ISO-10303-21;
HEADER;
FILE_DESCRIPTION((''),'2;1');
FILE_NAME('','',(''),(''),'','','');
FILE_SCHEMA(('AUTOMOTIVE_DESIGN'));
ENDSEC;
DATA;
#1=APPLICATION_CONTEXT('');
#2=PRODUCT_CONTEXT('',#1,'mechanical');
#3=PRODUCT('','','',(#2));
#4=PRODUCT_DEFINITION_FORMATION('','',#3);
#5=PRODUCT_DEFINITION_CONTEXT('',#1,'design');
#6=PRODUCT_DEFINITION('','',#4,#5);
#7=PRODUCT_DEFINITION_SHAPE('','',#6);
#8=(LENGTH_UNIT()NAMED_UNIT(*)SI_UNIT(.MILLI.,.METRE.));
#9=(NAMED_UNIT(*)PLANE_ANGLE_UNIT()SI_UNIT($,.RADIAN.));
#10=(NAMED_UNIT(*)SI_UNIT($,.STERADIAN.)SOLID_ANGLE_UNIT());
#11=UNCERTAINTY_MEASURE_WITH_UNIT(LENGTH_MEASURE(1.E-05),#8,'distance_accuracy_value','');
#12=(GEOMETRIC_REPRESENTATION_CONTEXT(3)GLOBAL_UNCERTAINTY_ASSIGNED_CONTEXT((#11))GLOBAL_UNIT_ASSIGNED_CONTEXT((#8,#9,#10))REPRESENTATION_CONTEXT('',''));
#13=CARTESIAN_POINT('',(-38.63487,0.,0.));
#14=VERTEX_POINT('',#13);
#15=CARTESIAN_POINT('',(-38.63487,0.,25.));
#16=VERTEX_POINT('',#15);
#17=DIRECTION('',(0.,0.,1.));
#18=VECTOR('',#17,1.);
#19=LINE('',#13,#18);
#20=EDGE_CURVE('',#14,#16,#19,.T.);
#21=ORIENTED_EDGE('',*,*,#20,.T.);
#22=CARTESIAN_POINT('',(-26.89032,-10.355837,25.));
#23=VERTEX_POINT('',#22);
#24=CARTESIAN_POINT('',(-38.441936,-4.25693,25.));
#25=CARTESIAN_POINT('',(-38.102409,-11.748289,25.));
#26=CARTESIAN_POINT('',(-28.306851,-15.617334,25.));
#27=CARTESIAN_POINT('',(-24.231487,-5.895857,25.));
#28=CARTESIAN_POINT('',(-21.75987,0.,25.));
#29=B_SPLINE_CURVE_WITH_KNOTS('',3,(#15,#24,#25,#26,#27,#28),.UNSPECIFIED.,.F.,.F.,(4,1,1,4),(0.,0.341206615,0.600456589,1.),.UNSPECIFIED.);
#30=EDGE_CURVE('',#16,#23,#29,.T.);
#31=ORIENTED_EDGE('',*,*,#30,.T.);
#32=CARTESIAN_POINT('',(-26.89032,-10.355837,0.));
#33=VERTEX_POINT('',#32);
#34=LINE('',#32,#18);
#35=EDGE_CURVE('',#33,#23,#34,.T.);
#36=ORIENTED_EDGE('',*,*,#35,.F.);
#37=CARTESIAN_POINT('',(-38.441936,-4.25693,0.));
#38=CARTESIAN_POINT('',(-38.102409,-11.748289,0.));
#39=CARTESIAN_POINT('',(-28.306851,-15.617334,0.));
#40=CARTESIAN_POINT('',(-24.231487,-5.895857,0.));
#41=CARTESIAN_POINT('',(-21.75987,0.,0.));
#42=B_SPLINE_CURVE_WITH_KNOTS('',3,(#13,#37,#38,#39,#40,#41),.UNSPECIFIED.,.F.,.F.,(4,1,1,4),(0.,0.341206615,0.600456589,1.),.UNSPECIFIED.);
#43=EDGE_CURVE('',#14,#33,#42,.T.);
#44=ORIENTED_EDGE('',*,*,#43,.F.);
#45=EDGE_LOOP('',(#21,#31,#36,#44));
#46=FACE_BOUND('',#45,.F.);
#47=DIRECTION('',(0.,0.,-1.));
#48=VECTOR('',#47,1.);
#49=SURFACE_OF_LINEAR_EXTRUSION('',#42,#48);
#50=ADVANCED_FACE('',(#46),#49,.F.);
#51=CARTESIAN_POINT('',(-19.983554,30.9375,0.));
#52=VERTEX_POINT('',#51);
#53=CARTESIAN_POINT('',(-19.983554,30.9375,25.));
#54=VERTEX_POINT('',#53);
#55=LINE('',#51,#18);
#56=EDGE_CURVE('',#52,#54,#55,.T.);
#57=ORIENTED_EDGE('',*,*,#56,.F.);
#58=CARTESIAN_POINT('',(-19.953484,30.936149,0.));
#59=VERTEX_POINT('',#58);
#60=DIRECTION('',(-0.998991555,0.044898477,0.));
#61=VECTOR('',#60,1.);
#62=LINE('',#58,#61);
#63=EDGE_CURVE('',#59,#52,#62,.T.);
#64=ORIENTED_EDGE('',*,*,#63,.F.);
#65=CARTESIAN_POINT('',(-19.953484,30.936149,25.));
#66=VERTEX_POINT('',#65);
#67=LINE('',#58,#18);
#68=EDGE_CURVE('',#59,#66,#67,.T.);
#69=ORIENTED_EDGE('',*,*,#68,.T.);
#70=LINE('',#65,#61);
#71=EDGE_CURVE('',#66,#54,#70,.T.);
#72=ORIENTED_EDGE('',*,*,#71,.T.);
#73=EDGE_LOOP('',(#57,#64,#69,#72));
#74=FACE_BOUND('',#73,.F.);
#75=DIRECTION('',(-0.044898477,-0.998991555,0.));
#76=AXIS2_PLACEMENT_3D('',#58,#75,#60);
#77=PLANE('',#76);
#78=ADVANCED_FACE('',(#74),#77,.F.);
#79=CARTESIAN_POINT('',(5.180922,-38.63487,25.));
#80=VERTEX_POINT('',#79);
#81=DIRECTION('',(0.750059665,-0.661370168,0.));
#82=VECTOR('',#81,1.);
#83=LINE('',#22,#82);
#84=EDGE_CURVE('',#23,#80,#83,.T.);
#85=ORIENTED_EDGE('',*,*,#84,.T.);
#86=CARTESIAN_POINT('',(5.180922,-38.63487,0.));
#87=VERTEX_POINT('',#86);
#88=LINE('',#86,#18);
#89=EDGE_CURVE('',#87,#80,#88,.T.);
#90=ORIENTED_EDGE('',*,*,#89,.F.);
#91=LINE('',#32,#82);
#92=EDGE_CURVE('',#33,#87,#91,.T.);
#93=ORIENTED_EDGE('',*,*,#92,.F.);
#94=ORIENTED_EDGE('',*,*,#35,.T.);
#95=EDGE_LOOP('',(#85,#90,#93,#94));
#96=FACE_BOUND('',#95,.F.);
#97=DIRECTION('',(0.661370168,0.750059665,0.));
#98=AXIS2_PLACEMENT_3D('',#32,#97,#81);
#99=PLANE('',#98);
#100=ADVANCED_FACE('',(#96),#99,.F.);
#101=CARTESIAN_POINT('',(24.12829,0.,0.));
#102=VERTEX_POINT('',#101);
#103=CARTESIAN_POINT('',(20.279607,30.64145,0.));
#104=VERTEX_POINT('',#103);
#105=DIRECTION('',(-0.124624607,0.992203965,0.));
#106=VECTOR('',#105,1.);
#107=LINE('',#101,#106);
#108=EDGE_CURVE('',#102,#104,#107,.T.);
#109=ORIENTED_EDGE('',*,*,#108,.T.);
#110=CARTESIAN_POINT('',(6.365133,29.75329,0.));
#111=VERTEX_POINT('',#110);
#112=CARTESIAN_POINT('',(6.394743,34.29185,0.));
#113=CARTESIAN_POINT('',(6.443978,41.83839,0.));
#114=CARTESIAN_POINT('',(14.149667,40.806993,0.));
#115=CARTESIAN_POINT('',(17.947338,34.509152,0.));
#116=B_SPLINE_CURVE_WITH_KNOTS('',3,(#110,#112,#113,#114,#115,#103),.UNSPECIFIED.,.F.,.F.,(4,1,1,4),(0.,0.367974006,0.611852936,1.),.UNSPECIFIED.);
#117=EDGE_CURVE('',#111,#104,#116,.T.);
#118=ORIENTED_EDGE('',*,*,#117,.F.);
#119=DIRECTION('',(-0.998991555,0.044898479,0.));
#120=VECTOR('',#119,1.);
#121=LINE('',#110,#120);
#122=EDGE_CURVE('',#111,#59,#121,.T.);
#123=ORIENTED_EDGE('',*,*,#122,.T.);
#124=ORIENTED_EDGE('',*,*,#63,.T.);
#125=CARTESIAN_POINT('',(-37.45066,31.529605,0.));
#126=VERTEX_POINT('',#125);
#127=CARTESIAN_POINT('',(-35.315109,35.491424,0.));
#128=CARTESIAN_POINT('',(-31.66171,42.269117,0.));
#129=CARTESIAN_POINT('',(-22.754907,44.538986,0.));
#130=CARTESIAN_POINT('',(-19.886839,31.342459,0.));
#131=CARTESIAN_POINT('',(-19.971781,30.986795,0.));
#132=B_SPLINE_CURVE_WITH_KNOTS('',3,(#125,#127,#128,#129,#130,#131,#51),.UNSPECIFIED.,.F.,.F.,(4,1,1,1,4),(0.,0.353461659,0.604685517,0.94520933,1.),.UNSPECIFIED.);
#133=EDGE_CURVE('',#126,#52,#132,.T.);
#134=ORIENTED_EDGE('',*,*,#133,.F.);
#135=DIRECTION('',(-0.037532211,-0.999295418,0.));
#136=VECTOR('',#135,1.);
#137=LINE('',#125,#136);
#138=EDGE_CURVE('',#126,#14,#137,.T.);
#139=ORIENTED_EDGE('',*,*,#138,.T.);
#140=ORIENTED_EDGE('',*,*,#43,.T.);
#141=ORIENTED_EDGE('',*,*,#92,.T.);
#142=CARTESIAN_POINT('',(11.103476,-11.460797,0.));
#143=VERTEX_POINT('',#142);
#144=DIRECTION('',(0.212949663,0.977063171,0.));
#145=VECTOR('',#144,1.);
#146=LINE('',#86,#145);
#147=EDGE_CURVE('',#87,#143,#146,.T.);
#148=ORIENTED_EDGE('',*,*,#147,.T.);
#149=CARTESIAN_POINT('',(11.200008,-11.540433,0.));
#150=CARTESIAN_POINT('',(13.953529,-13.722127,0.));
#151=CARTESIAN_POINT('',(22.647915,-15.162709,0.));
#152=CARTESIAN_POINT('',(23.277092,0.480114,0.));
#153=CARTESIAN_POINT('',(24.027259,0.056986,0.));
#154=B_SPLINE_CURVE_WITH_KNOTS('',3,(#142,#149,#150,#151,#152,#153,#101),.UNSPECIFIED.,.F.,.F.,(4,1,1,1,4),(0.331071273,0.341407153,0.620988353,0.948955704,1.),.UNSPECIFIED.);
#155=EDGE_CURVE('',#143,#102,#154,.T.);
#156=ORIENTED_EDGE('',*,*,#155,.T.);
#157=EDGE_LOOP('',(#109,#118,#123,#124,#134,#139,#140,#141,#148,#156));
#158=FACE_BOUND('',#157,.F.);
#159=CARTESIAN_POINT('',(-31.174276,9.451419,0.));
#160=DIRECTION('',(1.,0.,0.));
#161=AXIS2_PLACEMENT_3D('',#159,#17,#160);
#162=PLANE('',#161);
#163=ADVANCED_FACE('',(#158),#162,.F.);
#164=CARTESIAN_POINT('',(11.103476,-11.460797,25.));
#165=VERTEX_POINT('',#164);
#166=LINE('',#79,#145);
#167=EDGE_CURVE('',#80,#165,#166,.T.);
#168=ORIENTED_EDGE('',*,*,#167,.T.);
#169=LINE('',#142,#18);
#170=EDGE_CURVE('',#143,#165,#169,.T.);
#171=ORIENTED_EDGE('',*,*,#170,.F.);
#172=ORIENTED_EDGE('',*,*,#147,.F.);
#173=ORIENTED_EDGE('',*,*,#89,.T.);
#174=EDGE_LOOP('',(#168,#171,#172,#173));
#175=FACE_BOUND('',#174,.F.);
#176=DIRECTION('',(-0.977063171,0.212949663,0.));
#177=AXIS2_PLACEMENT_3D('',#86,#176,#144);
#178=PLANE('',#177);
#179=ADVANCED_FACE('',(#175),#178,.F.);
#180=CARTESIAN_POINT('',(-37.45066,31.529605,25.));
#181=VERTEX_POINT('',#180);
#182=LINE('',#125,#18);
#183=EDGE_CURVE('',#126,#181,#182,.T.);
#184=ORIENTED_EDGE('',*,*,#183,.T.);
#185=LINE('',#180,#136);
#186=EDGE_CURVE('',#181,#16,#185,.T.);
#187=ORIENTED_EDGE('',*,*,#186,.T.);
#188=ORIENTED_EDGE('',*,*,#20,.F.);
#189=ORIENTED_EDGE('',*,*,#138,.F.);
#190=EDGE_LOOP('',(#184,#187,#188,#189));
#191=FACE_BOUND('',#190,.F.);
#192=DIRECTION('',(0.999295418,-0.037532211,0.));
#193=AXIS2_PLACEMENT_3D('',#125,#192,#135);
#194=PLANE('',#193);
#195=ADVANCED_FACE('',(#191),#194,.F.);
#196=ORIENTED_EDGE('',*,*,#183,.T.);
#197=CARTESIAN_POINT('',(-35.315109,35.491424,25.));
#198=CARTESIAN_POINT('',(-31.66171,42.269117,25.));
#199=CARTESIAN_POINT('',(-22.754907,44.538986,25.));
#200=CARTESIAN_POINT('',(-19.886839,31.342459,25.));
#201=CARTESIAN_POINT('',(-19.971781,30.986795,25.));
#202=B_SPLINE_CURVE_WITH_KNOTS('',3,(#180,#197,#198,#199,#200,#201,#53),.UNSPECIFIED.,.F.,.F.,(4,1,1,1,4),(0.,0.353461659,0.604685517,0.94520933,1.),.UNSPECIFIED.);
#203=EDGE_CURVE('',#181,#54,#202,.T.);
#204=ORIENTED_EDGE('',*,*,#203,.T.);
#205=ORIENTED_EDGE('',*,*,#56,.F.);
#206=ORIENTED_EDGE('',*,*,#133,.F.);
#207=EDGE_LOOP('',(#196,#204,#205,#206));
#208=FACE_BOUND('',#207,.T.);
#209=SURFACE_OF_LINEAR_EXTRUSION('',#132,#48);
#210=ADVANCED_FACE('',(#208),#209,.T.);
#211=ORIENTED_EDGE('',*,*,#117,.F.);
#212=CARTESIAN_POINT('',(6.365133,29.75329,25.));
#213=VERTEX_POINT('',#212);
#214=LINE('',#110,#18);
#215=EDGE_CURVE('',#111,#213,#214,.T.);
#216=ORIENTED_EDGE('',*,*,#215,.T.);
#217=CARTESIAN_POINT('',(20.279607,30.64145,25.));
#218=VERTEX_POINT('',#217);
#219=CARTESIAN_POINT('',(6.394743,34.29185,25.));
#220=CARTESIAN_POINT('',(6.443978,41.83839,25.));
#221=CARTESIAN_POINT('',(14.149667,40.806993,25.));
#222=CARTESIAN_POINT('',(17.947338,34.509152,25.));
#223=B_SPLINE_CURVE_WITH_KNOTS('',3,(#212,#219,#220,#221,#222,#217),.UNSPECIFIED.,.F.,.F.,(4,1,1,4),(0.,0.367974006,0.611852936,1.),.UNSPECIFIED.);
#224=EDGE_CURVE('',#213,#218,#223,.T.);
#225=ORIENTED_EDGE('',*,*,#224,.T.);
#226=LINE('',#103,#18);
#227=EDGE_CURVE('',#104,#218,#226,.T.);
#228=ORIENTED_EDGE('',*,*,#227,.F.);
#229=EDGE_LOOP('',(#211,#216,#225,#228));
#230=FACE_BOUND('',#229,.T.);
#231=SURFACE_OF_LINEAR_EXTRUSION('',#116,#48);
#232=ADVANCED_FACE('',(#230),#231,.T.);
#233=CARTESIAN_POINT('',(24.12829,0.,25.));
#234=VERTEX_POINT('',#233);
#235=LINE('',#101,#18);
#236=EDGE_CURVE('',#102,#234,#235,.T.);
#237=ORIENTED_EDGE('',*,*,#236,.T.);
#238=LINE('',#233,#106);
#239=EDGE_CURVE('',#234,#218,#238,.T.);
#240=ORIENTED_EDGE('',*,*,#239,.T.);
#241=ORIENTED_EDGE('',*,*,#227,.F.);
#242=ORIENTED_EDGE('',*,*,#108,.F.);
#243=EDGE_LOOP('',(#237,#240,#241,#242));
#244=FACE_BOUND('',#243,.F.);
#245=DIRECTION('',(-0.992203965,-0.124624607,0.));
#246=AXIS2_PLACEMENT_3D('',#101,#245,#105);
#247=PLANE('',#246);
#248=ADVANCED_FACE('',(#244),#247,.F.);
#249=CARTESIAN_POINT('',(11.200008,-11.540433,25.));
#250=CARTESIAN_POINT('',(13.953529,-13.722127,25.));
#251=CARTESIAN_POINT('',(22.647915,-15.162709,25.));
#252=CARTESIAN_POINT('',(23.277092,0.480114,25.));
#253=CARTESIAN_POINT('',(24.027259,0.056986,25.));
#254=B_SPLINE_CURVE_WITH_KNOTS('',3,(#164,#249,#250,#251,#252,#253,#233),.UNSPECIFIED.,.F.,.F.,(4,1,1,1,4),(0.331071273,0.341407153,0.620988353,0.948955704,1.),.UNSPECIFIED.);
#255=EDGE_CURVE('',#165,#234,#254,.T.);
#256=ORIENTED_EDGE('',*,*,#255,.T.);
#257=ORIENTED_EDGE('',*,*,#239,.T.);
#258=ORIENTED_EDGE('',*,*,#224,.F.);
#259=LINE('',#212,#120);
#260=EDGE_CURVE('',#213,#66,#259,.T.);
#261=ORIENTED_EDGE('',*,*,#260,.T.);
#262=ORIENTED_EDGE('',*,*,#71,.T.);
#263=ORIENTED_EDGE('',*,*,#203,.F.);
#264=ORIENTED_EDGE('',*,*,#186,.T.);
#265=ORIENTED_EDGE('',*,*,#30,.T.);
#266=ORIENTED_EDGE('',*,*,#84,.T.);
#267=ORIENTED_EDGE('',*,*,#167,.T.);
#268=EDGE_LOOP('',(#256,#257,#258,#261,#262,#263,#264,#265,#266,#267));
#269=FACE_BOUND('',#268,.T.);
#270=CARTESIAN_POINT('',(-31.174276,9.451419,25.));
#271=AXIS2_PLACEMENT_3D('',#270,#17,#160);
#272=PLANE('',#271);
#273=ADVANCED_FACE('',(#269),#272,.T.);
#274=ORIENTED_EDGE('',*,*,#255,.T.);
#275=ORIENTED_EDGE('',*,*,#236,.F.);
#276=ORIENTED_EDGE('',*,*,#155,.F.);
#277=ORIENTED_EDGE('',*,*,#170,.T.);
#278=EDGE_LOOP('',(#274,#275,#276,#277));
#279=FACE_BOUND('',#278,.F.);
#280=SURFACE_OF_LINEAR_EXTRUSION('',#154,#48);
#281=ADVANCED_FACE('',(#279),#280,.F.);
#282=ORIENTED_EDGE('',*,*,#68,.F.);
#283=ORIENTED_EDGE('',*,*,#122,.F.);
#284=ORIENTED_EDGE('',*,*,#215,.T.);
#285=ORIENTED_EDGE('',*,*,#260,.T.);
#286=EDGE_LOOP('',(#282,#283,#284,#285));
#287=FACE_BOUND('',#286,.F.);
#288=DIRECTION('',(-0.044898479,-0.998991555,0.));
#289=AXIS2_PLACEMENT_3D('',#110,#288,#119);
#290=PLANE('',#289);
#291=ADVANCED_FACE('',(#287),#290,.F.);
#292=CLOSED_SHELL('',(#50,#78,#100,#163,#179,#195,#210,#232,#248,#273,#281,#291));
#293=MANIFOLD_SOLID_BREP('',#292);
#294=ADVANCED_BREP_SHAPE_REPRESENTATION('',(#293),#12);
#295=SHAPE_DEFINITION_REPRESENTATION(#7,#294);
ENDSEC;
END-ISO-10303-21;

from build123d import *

# Parameters (mm, degrees)
F1_DEPTH = 25


with BuildPart() as f1:
    # F0 (on Top) → F1 (new body)
    with BuildSketch(Plane.XY):
        with BuildLine():
            Line((-18.293430627, 0), (-37.4506600201, 31.5296053886))
            Line((-37.4506600201, 31.5296053886), (-38.6348702013, 0))
            Line((-38.6348702013, 0), (-26.8903197752, -10.3558365563))
            add(Edge.make_bspline(
                [(-26.8903197752, -10.3558365563), (-25.0138511487, -7.7621292657), (-23.3868603398, -3.8810646329), (-21.7598695308, 0)],
                knots=[0.7369926577, 0.7369926577, 0.7369926577, 0.7369926577, 1, 1, 1, 1], degree=3))
            Line((-21.7598695308, 0), (-18.293430627, 0))
        make_face()
        with BuildLine():
            add(Edge.make_bspline(
                [(-37.4506600201, 31.5296053886), (-35.315109491, 35.4914243796), (-31.6617104803, 42.2691172437), (-22.7549071417, 44.5389864619), (-19.8868391117, 31.3424591503), (-19.9717812594, 30.9867953724), (-19.9835542589, 30.937500298)],
                knots=[0, 0, 0, 0, 0.3534616592, 0.6046855171, 0.9452093296, 1, 1, 1, 1], degree=3))
            Line((-37.4506600201, 31.5296053886), (-18.293430627, 0))
            Line((-18.293430627, 0), (-8.7769662755, 0))
            Line((-8.7769662755, 0), (-19.9534838268, 30.9361488185))
            Line((-19.9534838268, 30.9361488185), (-19.9835542589, 30.937500298))
        make_face()
        with BuildLine():
            Line((-26.8903197752, -10.3558365563), (-38.6348702013, 0))
            add(Edge.make_bspline(
                [(-38.6348702013, 0), (-38.4419358813, -4.256929632), (-38.1024093928, -11.748289226), (-30.8831549051, -14.5997468242), (-27.8644585489, -11.7023183486), (-26.8903197752, -10.3558365563)],
                knots=[0, 0, 0, 0, 0.3412066145, 0.6004565887, 0.7369926577, 0.7369926577, 0.7369926577, 0.7369926577], degree=3))
        make_face()
        Polygon((5.1809218712, -38.6348702013), (-18.293430627, 0), (-21.7598695308, 0), align=None)
        Polygon((-8.7769662755, 0), (-18.293430627, 0), (5.1809218712, -38.6348702013), align=None)
        with BuildLine():
            Line((6.3651325181, 29.7532901168), (-19.9534838268, 30.9361488185))
            Line((-19.9534838268, 30.9361488185), (-8.7769662755, 0))
            Line((-8.7769662755, 0), (5.1809218712, 0))
            add(Edge.make_bspline(
                [(5.1809218712, 0), (5.3907033267, -0.660354955), (5.6004847821, -1.32070991), (5.8157272261, -1.9748633921)],
                knots=[0, 0, 0, 0, 0.0490741852, 0.0490741852, 0.0490741852, 0.0490741852], degree=3))
            Line((5.8157272261, -1.9748633921), (6.3651325181, 29.7532901168))
        make_face()
        with BuildLine():
            add(Edge.make_bspline(
                [(-26.8903197752, -10.3558365563), (-25.0138511487, -7.7621292657), (-23.3868603398, -3.8810646329), (-21.7598695308, 0)],
                knots=[0.7369926577, 0.7369926577, 0.7369926577, 0.7369926577, 1, 1, 1, 1], degree=3))
            Line((-26.8903197752, -10.3558365563), (5.1809218712, -38.6348702013))
            Line((5.1809218712, -38.6348702013), (-21.7598695308, 0))
        make_face()
        Polygon((5.1809218712, 0), (-8.7769662755, 0), (5.1809218712, -38.6348702013), align=None)
        with BuildLine():
            Line((5.1809218712, 0), (5.1809218712, -38.6348702013))
            Line((5.1809218712, -38.6348702013), (5.8157272261, -1.9748633921))
            add(Edge.make_bspline(
                [(5.1809218712, 0), (5.3907033267, -0.660354955), (5.6004847821, -1.32070991), (5.8157272261, -1.9748633921)],
                knots=[0, 0, 0, 0, 0.0490741852, 0.0490741852, 0.0490741852, 0.0490741852], degree=3))
        make_face()
        with BuildLine():
            Line((5.8157272261, -1.9748633921), (5.1809218712, -38.6348702013))
            Line((5.1809218712, -38.6348702013), (11.1034761376, -11.4607974057))
            add(Edge.make_bspline(
                [(5.8157272261, -1.9748633921), (7.0525840803, -5.7338535017), (8.4697652594, -9.288068156), (11.1034761376, -11.4607974057)],
                knots=[0.0490741852, 0.0490741852, 0.0490741852, 0.0490741852, 0.3310712728, 0.3310712728, 0.3310712728, 0.3310712728], degree=3))
        make_face()
        with BuildLine():
            add(Edge.make_bspline(
                [(6.3651325181, 29.7532901168), (6.3947430451, 34.2918495311), (6.4439782834, 41.8383904762), (14.1496668788, 40.8069928969), (17.9473376206, 34.5091520104), (20.2796068043, 30.6414496154)],
                knots=[0, 0, 0, 0, 0.3679740058, 0.6118529357, 1, 1, 1, 1], degree=3))
            Line((6.3651325181, 29.7532901168), (5.8157272261, -1.9748633921))
            add(Edge.make_bspline(
                [(5.8157272261, -1.9748633921), (7.0525840803, -5.7338535017), (8.4697652594, -9.288068156), (11.1034761376, -11.4607974057)],
                knots=[0.0490741852, 0.0490741852, 0.0490741852, 0.0490741852, 0.3310712728, 0.3310712728, 0.3310712728, 0.3310712728], degree=3))
            Line((11.1034761376, -11.4607974057), (20.2796068043, 30.6414496154))
        make_face()
        with BuildLine():
            Line((20.2796068043, 30.6414496154), (11.1034761376, -11.4607974057))
            add(Edge.make_bspline(
                [(11.1034761376, -11.4607974057), (11.2000080599, -11.5404332278), (13.9535287523, -13.7221274774), (22.647914545, -15.1627090559), (23.2770923169, 0.4801138246), (24.0272593597, 0.0569857777), (24.1282898933, 0)],
                knots=[0.3310712728, 0.3310712728, 0.3310712728, 0.3310712728, 0.3414071533, 0.6209883528, 0.9489557035, 1, 1, 1, 1], degree=3))
            Line((24.1282898933, 0), (20.2796068043, 30.6414496154))
        make_face()
    extrude(amount=F1_DEPTH)


solid = f1.part
